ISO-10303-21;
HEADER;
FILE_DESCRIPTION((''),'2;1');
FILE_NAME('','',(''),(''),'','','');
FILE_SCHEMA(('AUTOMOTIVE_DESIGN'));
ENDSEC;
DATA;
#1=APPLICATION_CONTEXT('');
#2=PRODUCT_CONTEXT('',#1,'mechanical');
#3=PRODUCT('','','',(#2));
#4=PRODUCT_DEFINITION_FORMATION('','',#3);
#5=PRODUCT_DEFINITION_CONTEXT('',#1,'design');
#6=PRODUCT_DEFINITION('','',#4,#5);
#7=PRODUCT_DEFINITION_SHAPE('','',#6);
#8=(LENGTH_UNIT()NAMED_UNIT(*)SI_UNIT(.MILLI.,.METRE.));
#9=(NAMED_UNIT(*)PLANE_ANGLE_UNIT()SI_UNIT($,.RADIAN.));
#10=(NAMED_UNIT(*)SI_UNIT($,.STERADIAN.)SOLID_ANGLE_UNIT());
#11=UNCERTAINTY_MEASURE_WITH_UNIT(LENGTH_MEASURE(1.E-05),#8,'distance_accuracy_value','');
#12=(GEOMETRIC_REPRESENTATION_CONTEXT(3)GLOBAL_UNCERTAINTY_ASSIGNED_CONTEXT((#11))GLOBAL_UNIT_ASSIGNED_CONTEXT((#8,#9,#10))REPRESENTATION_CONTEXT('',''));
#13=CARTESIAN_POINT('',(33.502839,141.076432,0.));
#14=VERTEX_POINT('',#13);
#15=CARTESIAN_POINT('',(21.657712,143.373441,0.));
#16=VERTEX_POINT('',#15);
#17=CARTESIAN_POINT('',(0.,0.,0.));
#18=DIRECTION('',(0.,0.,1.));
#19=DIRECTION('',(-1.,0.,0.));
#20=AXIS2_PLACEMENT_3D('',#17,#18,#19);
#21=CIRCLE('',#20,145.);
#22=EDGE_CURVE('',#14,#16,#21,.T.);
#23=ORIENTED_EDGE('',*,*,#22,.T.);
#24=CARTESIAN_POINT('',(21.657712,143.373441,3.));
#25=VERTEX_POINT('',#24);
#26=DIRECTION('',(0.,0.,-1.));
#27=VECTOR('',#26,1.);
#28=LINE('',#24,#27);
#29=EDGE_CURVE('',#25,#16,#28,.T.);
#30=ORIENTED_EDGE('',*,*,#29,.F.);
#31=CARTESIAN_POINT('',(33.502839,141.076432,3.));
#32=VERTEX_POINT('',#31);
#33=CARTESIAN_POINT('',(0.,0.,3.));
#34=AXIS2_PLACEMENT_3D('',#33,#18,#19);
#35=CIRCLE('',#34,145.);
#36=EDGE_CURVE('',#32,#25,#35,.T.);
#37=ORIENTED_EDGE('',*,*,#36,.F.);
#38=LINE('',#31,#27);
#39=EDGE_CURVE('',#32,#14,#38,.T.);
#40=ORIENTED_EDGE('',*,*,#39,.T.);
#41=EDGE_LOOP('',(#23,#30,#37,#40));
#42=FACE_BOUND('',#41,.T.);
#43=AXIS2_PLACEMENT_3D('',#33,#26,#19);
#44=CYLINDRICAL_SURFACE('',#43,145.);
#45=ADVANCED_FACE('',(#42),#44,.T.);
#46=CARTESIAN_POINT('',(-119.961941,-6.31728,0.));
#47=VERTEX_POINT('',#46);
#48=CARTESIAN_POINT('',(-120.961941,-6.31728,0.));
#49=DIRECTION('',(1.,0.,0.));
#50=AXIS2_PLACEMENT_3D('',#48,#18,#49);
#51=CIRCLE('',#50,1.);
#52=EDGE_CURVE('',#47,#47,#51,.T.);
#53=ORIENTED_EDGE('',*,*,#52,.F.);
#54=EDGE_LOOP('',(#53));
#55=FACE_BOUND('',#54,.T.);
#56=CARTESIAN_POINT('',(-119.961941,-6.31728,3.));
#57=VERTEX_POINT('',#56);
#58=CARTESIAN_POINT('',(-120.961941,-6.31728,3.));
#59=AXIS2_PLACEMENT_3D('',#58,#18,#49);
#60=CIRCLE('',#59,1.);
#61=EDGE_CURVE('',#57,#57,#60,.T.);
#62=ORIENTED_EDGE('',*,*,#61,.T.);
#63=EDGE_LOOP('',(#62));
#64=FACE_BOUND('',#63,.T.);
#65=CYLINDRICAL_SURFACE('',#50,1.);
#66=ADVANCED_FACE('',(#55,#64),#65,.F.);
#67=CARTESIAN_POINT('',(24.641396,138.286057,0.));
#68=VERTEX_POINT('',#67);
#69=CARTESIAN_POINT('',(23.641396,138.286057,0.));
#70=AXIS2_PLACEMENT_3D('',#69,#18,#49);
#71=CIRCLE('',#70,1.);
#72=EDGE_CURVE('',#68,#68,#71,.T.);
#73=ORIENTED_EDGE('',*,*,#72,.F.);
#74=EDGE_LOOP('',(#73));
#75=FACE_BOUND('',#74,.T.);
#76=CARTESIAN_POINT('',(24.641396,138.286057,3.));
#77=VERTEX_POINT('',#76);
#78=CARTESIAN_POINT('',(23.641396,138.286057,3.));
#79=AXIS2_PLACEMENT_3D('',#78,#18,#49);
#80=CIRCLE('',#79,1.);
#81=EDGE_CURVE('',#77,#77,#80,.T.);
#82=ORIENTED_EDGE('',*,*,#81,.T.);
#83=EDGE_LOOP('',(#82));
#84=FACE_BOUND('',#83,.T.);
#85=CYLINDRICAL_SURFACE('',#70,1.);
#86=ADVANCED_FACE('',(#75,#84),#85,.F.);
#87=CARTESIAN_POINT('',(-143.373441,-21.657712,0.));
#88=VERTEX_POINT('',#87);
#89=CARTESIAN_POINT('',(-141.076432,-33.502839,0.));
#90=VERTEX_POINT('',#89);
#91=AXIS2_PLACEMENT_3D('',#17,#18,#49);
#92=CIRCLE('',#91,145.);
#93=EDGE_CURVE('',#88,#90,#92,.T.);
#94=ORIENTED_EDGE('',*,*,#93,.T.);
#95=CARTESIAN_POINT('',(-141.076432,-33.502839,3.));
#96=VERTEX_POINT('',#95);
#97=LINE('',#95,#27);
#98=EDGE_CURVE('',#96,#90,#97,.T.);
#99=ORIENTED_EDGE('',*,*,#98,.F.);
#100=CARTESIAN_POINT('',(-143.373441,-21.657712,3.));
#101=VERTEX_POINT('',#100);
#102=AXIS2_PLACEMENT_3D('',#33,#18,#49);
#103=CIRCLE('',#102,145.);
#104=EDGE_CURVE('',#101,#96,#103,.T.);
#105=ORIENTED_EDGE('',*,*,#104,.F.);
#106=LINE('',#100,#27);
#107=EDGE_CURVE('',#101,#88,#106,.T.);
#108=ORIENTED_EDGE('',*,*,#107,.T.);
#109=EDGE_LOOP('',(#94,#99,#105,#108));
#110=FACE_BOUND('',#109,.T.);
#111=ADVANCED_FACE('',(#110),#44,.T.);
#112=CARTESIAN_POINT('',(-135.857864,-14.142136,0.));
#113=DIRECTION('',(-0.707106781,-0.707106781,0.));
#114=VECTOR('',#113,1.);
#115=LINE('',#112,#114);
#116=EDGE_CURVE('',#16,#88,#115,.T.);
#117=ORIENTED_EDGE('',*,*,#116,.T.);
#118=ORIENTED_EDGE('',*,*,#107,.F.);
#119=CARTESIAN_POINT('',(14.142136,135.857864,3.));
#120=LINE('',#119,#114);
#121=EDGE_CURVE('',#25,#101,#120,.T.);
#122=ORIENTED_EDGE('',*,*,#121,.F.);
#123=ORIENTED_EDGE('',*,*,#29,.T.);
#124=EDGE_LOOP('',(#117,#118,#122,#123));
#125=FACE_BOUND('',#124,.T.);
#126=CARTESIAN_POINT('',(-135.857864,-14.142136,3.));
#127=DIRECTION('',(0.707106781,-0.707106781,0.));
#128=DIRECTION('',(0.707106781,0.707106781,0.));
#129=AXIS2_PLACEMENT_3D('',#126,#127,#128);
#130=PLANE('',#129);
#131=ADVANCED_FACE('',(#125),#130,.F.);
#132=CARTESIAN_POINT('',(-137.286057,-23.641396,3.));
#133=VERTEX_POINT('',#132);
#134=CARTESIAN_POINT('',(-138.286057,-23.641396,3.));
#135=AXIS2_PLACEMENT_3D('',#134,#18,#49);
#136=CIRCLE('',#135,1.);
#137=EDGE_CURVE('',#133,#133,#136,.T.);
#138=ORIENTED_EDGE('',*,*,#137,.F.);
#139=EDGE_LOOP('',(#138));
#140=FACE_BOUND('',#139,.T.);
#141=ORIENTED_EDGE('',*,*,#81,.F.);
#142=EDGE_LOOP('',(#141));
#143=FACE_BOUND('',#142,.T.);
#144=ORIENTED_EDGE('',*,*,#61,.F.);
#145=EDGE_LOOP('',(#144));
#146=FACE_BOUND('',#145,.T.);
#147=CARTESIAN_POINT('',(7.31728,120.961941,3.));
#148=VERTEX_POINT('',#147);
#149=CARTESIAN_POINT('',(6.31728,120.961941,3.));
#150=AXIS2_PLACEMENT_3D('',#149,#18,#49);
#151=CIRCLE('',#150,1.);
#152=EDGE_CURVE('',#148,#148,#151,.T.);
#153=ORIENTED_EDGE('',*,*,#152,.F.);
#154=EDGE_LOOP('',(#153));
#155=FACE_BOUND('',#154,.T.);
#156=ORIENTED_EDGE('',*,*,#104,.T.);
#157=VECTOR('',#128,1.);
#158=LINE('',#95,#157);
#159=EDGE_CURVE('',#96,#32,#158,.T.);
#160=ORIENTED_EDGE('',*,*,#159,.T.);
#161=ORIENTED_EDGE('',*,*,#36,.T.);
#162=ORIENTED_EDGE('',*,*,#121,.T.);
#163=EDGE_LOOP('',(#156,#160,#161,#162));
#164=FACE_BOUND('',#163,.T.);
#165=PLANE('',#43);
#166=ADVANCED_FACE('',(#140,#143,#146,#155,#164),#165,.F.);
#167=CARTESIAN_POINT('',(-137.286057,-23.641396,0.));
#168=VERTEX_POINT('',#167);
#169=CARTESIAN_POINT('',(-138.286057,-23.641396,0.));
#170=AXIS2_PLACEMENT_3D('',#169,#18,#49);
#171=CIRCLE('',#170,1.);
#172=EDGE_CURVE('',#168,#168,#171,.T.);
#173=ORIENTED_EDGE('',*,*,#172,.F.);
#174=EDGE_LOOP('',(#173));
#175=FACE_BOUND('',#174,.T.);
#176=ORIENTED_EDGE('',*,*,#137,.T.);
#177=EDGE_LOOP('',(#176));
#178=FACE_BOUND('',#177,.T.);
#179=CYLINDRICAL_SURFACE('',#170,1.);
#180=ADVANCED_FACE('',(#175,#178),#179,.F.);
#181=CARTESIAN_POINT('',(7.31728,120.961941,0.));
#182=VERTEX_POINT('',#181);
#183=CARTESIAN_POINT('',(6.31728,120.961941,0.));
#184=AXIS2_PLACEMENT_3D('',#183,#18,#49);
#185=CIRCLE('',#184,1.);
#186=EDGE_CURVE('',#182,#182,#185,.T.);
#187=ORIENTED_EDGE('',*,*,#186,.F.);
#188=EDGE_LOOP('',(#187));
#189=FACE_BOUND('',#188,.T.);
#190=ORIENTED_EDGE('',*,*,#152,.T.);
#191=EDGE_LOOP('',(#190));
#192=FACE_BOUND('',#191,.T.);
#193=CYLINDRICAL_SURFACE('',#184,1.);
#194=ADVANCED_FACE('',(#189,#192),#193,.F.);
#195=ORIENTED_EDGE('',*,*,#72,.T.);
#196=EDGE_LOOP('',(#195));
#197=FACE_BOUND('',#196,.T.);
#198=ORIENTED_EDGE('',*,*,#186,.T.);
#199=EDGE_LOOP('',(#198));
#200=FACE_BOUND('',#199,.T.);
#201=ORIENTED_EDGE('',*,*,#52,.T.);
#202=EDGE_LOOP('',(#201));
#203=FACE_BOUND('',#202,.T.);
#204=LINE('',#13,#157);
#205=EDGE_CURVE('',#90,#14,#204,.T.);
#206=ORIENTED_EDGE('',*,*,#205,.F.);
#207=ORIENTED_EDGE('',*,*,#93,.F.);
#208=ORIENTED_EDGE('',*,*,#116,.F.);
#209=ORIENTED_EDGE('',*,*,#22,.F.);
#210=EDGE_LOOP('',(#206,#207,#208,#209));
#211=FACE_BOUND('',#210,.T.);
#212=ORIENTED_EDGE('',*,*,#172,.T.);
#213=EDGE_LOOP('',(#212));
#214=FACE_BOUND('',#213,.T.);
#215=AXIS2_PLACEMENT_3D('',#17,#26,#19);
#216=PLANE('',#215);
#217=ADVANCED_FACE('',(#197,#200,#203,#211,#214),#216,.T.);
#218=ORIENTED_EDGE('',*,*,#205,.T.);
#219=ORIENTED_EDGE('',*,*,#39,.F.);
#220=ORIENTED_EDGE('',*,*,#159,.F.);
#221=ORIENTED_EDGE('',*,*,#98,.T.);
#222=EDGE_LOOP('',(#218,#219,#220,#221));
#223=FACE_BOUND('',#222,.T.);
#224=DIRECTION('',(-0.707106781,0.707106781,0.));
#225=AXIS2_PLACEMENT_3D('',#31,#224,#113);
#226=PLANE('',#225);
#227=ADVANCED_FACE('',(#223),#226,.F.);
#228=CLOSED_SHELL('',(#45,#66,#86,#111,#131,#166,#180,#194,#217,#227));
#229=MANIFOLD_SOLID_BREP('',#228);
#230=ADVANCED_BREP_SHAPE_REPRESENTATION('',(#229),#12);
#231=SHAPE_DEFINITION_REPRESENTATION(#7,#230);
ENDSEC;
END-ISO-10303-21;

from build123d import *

# Parameters (mm, degrees)
BOSS_EXTRU_1_DEPTH      = 3
ESQUISSE2_R             = 1
ENL_V_MAT_EXTRU_1_DEPTH = 3


with BuildPart() as part:
    # Esquisse1 → Boss.-Extru.1 (new body)
    with BuildSketch(Plane.XY):
        with BuildLine():
            Line((33.50283922, 141.076432349), (21.213203436, 128.786796564))
            Line((21.213203436, 128.786796564), (-128.786796564, -21.213203436))
            Line((-128.786796564, -21.213203436), (-141.076432349, -33.50283922))
            ThreePointArc((-141.076432349, -33.50283922), (-142.348197514, -27.604178387), (-143.373440746, -21.657711993))
            Line((-143.373440746, -21.657711993), (-135.857864376, -14.142135624))
            Line((-135.857864376, -14.142135624), (14.142135624, 135.857864376))
            Line((14.142135624, 135.857864376), (21.657711993, 143.373440746))
            ThreePointArc((21.657711993, 143.373440746), (27.604178387, 142.348197514), (33.50283922, 141.076432349))
        make_face()
    extrude(amount=BOSS_EXTRU_1_DEPTH)

    # Esquisse2 → Enlèv. mat.-Extru.1 (cut)
    with BuildSketch(Plane.XY.offset(3)):
        with Locations((6.317279836, 120.961940777)):
            Circle(ESQUISSE2_R)
        with Locations((-120.961940777, -6.317279836)):
            Circle(ESQUISSE2_R)
        with Locations((23.641395976, 138.286056916)):
            Circle(ESQUISSE2_R)
        with Locations((-138.286056916, -23.641395976)):
            Circle(ESQUISSE2_R)
    extrude(amount=-ENL_V_MAT_EXTRU_1_DEPTH, mode=Mode.SUBTRACT)


solid = part.part
